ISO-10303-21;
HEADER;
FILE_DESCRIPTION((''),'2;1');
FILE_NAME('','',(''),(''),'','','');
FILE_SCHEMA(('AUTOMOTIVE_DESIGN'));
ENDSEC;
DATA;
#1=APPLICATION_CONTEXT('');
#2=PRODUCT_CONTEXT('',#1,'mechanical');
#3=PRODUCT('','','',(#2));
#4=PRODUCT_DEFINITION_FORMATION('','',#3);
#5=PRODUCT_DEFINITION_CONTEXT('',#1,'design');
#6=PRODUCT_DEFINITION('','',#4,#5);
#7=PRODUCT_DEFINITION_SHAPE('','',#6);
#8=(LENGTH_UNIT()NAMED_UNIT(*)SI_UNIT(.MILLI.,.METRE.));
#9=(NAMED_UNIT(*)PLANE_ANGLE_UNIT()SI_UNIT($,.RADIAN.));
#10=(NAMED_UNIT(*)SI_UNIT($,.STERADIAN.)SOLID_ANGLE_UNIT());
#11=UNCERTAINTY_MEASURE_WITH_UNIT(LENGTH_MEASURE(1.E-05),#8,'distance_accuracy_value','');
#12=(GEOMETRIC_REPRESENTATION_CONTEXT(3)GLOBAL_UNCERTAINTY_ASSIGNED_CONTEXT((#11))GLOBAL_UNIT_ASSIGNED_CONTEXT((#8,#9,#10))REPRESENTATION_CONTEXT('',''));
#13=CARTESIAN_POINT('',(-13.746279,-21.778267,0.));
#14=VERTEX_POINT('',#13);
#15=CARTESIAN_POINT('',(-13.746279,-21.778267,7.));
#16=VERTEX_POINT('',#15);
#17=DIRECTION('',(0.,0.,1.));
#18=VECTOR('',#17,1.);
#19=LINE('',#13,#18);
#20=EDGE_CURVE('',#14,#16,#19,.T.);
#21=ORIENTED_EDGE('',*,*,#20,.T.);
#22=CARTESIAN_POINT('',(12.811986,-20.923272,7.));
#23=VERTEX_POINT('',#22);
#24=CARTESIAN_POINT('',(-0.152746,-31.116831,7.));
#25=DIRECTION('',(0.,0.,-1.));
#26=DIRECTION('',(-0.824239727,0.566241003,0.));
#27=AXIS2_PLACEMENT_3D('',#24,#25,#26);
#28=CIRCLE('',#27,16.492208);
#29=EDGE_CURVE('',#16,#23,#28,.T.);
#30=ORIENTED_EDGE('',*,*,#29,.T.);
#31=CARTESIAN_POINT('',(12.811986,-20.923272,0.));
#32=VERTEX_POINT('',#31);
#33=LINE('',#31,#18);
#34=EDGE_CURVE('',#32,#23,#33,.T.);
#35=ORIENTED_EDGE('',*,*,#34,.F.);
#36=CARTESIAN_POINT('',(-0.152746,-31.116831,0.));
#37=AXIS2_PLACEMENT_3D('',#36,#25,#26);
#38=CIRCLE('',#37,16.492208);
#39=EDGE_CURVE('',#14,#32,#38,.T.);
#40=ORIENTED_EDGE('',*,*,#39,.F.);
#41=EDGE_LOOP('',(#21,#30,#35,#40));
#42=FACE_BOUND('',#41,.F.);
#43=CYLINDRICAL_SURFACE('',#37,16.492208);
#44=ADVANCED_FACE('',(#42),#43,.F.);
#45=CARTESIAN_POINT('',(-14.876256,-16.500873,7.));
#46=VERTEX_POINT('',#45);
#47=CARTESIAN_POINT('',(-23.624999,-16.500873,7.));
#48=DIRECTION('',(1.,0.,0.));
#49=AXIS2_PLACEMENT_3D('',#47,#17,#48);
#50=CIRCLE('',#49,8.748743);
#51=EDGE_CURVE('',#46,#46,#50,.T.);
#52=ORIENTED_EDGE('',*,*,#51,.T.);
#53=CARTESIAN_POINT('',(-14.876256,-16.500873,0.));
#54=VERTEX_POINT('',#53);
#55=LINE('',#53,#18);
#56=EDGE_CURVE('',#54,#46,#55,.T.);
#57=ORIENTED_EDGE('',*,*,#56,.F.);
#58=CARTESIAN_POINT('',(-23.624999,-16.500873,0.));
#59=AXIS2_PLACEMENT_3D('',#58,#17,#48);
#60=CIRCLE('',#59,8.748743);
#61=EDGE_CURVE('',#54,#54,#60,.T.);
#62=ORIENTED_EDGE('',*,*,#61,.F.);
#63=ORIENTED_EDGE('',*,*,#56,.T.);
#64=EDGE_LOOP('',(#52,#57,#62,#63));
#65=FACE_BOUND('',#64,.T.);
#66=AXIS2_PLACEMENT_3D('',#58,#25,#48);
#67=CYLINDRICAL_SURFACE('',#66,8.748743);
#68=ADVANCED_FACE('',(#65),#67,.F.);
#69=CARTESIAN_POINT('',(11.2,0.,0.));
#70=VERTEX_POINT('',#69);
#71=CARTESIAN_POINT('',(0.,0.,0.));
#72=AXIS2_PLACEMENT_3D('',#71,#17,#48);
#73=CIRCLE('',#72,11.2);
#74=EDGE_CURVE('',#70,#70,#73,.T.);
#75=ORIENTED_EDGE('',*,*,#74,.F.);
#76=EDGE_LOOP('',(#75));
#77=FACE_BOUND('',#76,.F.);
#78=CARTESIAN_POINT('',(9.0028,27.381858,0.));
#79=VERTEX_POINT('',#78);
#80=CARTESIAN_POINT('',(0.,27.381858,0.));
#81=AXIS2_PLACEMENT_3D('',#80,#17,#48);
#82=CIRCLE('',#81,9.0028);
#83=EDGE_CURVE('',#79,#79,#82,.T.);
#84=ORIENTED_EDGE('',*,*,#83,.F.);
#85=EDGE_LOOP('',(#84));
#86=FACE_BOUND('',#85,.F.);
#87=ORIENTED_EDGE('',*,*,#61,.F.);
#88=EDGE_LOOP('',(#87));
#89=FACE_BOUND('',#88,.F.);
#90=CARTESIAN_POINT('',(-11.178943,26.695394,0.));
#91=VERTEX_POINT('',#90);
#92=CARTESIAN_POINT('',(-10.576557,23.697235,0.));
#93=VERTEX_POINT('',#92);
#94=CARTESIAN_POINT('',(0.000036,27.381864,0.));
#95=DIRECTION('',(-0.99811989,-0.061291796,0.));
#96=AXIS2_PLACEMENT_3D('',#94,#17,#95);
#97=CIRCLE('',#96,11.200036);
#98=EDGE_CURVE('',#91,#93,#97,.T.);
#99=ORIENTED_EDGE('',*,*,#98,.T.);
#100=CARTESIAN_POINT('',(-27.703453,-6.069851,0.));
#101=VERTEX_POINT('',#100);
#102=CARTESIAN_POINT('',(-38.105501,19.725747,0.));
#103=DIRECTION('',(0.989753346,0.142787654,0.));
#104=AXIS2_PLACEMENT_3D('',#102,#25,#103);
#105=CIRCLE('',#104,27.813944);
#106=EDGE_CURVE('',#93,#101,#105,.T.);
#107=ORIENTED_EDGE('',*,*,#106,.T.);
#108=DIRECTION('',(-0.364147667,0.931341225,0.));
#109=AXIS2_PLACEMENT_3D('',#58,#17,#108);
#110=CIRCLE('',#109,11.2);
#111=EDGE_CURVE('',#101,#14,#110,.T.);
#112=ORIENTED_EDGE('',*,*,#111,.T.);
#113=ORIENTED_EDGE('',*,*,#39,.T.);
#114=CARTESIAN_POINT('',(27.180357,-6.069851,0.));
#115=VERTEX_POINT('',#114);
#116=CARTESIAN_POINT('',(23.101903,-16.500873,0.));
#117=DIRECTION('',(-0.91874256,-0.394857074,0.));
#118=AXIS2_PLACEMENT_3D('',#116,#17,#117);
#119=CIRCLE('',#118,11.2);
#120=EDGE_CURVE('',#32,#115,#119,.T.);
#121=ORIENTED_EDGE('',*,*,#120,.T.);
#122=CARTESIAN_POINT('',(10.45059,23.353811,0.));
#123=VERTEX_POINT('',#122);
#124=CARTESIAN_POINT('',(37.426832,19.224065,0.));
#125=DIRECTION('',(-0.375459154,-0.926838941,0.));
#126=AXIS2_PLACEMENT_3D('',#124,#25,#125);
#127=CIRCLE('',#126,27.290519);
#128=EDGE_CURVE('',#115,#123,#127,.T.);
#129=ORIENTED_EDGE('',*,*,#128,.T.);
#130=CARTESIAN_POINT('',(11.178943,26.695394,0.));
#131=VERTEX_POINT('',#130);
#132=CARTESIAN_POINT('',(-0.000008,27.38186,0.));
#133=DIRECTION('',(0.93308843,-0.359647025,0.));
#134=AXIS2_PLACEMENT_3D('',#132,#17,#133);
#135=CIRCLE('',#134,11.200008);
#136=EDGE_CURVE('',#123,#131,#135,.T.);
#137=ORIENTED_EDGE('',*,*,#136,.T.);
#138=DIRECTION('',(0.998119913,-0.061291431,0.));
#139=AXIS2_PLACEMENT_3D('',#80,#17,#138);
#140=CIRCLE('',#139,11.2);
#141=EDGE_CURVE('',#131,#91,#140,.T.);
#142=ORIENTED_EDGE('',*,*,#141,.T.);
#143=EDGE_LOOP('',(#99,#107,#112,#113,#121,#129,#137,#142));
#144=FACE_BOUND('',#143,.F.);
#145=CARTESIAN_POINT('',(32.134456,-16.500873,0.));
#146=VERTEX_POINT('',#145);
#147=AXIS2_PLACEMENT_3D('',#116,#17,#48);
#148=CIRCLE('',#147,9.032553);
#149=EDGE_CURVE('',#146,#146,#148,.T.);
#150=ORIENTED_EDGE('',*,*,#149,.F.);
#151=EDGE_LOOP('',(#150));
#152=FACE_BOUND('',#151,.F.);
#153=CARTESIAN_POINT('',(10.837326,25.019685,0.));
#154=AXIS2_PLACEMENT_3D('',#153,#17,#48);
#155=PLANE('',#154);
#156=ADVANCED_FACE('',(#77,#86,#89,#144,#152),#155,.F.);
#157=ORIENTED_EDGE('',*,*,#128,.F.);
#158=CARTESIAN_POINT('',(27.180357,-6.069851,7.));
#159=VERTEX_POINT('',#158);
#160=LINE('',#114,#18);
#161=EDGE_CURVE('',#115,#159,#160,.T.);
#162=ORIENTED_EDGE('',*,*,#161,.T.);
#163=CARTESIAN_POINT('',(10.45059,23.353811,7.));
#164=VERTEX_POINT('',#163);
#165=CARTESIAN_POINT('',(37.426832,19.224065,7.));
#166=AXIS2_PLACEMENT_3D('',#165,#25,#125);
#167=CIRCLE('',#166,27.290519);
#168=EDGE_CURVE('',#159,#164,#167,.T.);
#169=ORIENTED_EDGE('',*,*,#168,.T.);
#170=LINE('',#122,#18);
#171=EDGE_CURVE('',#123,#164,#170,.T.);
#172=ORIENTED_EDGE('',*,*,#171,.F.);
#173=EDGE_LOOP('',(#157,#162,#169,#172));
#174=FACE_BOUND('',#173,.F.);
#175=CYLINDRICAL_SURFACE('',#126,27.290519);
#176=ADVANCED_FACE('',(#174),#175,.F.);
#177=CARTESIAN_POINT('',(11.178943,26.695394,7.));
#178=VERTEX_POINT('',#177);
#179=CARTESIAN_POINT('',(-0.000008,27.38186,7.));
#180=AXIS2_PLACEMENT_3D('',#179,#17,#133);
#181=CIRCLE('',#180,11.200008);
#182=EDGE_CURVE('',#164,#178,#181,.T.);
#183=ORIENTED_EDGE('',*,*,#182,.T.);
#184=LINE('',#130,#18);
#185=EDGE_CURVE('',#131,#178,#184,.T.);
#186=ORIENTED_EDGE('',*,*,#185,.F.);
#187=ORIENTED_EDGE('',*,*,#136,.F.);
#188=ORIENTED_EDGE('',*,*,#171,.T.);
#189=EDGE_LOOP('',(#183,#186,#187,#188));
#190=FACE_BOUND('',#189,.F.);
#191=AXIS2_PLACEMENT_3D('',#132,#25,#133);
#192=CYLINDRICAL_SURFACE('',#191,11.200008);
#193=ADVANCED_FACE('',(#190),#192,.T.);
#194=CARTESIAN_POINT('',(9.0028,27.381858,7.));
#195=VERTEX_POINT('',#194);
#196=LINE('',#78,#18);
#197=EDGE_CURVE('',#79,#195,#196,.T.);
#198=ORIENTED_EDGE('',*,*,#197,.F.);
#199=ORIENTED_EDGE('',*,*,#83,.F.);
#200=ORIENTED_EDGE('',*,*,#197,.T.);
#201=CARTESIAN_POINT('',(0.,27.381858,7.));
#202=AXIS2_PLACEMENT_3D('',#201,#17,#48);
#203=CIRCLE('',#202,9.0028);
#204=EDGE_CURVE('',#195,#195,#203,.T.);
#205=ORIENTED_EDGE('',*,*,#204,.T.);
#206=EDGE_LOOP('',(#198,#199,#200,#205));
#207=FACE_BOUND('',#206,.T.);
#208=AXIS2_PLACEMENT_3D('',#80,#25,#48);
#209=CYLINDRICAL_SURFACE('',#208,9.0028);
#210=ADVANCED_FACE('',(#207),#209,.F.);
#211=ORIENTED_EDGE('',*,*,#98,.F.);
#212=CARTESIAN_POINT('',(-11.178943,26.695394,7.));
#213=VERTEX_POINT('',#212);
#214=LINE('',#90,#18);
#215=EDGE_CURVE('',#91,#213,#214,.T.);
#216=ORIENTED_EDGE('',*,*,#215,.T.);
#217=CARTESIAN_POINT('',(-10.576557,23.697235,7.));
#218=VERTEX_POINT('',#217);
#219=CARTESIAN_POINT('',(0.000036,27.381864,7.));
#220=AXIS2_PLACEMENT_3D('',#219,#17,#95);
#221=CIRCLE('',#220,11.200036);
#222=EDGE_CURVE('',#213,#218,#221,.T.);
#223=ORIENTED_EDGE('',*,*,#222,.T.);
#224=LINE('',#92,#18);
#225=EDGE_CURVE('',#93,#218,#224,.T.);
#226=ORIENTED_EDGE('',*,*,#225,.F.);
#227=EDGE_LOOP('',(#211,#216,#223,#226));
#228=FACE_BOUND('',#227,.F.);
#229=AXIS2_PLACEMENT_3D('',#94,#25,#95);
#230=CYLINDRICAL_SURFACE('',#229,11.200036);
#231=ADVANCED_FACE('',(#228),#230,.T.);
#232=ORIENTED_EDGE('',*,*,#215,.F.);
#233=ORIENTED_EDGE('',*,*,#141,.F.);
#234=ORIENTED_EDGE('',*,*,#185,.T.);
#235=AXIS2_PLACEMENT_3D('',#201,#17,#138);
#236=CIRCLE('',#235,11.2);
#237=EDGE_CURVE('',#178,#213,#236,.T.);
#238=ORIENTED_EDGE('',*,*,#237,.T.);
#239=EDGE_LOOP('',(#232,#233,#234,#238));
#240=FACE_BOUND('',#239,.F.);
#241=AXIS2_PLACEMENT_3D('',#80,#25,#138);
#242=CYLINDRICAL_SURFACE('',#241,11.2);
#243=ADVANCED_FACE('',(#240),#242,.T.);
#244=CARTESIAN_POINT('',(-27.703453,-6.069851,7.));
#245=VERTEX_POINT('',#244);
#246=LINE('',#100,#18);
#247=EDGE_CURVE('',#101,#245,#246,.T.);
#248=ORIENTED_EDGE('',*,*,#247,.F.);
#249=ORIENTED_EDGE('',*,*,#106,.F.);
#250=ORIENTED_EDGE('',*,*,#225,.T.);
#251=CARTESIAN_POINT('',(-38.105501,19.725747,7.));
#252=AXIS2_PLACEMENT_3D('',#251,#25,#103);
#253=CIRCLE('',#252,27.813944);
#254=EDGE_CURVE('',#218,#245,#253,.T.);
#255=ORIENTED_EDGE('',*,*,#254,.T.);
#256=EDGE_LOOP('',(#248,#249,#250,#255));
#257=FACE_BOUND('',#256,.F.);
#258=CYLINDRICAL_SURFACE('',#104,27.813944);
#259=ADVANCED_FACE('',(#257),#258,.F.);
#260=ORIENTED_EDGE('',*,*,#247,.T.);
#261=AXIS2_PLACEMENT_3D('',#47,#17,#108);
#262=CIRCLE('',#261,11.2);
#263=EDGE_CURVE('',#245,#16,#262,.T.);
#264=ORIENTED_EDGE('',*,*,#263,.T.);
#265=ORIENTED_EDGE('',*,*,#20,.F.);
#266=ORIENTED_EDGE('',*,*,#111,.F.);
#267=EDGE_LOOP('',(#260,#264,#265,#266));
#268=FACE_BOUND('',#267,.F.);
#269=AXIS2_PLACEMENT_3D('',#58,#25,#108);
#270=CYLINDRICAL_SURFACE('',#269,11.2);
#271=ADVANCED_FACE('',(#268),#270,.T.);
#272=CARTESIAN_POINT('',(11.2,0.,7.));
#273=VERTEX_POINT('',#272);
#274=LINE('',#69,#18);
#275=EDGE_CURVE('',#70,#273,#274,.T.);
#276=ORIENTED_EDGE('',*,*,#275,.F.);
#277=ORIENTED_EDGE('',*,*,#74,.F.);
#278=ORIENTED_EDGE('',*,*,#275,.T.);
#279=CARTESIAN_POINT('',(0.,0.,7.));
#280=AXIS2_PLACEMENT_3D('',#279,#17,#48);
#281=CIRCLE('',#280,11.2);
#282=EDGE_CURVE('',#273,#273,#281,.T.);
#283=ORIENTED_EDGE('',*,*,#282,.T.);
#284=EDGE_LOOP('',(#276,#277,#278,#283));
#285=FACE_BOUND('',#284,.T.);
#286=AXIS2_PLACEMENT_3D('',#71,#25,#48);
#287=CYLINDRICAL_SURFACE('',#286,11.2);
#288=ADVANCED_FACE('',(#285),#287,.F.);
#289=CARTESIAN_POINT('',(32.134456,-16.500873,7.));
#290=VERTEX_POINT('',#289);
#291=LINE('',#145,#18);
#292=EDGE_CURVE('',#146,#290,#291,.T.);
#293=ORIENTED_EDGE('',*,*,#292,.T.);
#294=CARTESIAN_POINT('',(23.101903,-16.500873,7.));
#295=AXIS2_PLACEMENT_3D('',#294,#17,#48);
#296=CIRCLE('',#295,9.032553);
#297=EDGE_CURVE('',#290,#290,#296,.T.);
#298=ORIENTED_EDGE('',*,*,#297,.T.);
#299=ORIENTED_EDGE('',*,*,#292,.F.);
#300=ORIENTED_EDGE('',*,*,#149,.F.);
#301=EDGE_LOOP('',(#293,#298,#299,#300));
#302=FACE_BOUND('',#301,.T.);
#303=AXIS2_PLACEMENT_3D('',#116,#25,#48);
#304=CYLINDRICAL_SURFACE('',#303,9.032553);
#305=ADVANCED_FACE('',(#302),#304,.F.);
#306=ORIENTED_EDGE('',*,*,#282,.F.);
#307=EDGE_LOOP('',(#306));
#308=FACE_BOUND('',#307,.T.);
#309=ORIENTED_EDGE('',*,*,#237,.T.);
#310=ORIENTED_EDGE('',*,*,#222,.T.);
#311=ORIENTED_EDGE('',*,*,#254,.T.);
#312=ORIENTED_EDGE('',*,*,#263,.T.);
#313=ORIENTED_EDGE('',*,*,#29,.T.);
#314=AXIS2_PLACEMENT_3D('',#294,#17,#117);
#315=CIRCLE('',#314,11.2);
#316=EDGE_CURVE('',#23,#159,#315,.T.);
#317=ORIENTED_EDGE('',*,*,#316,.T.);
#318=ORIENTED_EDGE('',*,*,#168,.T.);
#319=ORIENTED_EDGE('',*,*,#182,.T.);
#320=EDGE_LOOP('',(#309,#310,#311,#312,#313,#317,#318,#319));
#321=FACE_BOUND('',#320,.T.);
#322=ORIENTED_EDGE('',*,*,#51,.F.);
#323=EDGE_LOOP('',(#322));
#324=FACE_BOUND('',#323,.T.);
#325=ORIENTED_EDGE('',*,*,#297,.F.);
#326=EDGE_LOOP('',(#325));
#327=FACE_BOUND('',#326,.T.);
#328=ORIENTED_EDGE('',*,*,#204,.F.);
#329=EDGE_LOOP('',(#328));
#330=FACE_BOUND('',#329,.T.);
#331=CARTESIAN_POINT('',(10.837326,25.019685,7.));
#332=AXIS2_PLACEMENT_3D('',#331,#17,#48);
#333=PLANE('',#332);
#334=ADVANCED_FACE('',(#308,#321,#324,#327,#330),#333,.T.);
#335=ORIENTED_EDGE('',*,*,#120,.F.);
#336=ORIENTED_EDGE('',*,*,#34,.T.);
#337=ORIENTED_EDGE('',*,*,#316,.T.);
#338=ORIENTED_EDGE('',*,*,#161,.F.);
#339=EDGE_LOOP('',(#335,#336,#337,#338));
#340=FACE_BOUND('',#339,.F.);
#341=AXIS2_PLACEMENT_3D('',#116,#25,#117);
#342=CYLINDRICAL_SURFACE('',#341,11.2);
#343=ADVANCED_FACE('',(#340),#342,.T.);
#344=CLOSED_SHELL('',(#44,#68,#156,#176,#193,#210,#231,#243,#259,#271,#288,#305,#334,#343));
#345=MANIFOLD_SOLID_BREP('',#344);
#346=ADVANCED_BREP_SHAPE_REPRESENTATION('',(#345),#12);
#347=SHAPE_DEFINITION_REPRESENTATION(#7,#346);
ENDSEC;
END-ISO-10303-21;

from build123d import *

# Parameters (mm, degrees)
F0_R     = 8.748743
F0_R_2   = 9.032553
F0_R_3   = 11.2
F0_R_4   = 9.0028
F1_DEPTH = 7


with BuildPart() as f1:
    # F0 (on Top) → F1 (new body)
    with BuildSketch(Plane.XY):
        with BuildLine():
            ThreePointArc((11.178943, 26.695394), (10.762369, 25.036023), (10.45059, 23.353811))
            ThreePointArc((10.45059, 23.353811), (10.943067, 24.996637), (11.178943, 26.695394))
        make_face()
        with BuildLine():
            ThreePointArc((-10.576557, 23.697235), (-10.836514, 25.204599), (-11.178943, 26.695394))
            ThreePointArc((-11.178943, 26.695394), (-10.980559, 25.175658), (-10.576557, 23.697235))
        make_face()
        with BuildLine():
            ThreePointArc((27.180357, -6.069851), (13.702991, 5.735114), (10.45059, 23.353811))
            ThreePointArc((10.45059, 23.353811), (10.762369, 25.036023), (11.178943, 26.695394))
            ThreePointArc((11.178943, 26.695394), (0, 38.581858), (-11.178943, 26.695394))
            ThreePointArc((-11.178943, 26.695394), (-10.836514, 25.204599), (-10.576557, 23.697235))
            ThreePointArc((-10.576557, 23.697235), (-13.997206, 5.854713), (-27.703453, -6.069851))
            ThreePointArc((-27.703453, -6.069851), (-31.997535, -23.940002), (-13.746279, -21.778267))
            ThreePointArc((-13.746279, -21.778267), (-0.683408, -14.633163), (12.811986, -20.923272))
            ThreePointArc((12.811986, -20.923272), (31.151847, -24.287939), (27.180357, -6.069851))
        make_face()
        with Locations((-23.624999, -16.500873)):
            Circle(F0_R, mode=Mode.SUBTRACT)
        with Locations((23.101903, -16.500873)):
            Circle(F0_R_2, mode=Mode.SUBTRACT)
        Circle(F0_R_3, mode=Mode.SUBTRACT)
        with Locations((0, 27.381858)):
            Circle(F0_R_4, mode=Mode.SUBTRACT)
    extrude(amount=F1_DEPTH)


solid = f1.part
